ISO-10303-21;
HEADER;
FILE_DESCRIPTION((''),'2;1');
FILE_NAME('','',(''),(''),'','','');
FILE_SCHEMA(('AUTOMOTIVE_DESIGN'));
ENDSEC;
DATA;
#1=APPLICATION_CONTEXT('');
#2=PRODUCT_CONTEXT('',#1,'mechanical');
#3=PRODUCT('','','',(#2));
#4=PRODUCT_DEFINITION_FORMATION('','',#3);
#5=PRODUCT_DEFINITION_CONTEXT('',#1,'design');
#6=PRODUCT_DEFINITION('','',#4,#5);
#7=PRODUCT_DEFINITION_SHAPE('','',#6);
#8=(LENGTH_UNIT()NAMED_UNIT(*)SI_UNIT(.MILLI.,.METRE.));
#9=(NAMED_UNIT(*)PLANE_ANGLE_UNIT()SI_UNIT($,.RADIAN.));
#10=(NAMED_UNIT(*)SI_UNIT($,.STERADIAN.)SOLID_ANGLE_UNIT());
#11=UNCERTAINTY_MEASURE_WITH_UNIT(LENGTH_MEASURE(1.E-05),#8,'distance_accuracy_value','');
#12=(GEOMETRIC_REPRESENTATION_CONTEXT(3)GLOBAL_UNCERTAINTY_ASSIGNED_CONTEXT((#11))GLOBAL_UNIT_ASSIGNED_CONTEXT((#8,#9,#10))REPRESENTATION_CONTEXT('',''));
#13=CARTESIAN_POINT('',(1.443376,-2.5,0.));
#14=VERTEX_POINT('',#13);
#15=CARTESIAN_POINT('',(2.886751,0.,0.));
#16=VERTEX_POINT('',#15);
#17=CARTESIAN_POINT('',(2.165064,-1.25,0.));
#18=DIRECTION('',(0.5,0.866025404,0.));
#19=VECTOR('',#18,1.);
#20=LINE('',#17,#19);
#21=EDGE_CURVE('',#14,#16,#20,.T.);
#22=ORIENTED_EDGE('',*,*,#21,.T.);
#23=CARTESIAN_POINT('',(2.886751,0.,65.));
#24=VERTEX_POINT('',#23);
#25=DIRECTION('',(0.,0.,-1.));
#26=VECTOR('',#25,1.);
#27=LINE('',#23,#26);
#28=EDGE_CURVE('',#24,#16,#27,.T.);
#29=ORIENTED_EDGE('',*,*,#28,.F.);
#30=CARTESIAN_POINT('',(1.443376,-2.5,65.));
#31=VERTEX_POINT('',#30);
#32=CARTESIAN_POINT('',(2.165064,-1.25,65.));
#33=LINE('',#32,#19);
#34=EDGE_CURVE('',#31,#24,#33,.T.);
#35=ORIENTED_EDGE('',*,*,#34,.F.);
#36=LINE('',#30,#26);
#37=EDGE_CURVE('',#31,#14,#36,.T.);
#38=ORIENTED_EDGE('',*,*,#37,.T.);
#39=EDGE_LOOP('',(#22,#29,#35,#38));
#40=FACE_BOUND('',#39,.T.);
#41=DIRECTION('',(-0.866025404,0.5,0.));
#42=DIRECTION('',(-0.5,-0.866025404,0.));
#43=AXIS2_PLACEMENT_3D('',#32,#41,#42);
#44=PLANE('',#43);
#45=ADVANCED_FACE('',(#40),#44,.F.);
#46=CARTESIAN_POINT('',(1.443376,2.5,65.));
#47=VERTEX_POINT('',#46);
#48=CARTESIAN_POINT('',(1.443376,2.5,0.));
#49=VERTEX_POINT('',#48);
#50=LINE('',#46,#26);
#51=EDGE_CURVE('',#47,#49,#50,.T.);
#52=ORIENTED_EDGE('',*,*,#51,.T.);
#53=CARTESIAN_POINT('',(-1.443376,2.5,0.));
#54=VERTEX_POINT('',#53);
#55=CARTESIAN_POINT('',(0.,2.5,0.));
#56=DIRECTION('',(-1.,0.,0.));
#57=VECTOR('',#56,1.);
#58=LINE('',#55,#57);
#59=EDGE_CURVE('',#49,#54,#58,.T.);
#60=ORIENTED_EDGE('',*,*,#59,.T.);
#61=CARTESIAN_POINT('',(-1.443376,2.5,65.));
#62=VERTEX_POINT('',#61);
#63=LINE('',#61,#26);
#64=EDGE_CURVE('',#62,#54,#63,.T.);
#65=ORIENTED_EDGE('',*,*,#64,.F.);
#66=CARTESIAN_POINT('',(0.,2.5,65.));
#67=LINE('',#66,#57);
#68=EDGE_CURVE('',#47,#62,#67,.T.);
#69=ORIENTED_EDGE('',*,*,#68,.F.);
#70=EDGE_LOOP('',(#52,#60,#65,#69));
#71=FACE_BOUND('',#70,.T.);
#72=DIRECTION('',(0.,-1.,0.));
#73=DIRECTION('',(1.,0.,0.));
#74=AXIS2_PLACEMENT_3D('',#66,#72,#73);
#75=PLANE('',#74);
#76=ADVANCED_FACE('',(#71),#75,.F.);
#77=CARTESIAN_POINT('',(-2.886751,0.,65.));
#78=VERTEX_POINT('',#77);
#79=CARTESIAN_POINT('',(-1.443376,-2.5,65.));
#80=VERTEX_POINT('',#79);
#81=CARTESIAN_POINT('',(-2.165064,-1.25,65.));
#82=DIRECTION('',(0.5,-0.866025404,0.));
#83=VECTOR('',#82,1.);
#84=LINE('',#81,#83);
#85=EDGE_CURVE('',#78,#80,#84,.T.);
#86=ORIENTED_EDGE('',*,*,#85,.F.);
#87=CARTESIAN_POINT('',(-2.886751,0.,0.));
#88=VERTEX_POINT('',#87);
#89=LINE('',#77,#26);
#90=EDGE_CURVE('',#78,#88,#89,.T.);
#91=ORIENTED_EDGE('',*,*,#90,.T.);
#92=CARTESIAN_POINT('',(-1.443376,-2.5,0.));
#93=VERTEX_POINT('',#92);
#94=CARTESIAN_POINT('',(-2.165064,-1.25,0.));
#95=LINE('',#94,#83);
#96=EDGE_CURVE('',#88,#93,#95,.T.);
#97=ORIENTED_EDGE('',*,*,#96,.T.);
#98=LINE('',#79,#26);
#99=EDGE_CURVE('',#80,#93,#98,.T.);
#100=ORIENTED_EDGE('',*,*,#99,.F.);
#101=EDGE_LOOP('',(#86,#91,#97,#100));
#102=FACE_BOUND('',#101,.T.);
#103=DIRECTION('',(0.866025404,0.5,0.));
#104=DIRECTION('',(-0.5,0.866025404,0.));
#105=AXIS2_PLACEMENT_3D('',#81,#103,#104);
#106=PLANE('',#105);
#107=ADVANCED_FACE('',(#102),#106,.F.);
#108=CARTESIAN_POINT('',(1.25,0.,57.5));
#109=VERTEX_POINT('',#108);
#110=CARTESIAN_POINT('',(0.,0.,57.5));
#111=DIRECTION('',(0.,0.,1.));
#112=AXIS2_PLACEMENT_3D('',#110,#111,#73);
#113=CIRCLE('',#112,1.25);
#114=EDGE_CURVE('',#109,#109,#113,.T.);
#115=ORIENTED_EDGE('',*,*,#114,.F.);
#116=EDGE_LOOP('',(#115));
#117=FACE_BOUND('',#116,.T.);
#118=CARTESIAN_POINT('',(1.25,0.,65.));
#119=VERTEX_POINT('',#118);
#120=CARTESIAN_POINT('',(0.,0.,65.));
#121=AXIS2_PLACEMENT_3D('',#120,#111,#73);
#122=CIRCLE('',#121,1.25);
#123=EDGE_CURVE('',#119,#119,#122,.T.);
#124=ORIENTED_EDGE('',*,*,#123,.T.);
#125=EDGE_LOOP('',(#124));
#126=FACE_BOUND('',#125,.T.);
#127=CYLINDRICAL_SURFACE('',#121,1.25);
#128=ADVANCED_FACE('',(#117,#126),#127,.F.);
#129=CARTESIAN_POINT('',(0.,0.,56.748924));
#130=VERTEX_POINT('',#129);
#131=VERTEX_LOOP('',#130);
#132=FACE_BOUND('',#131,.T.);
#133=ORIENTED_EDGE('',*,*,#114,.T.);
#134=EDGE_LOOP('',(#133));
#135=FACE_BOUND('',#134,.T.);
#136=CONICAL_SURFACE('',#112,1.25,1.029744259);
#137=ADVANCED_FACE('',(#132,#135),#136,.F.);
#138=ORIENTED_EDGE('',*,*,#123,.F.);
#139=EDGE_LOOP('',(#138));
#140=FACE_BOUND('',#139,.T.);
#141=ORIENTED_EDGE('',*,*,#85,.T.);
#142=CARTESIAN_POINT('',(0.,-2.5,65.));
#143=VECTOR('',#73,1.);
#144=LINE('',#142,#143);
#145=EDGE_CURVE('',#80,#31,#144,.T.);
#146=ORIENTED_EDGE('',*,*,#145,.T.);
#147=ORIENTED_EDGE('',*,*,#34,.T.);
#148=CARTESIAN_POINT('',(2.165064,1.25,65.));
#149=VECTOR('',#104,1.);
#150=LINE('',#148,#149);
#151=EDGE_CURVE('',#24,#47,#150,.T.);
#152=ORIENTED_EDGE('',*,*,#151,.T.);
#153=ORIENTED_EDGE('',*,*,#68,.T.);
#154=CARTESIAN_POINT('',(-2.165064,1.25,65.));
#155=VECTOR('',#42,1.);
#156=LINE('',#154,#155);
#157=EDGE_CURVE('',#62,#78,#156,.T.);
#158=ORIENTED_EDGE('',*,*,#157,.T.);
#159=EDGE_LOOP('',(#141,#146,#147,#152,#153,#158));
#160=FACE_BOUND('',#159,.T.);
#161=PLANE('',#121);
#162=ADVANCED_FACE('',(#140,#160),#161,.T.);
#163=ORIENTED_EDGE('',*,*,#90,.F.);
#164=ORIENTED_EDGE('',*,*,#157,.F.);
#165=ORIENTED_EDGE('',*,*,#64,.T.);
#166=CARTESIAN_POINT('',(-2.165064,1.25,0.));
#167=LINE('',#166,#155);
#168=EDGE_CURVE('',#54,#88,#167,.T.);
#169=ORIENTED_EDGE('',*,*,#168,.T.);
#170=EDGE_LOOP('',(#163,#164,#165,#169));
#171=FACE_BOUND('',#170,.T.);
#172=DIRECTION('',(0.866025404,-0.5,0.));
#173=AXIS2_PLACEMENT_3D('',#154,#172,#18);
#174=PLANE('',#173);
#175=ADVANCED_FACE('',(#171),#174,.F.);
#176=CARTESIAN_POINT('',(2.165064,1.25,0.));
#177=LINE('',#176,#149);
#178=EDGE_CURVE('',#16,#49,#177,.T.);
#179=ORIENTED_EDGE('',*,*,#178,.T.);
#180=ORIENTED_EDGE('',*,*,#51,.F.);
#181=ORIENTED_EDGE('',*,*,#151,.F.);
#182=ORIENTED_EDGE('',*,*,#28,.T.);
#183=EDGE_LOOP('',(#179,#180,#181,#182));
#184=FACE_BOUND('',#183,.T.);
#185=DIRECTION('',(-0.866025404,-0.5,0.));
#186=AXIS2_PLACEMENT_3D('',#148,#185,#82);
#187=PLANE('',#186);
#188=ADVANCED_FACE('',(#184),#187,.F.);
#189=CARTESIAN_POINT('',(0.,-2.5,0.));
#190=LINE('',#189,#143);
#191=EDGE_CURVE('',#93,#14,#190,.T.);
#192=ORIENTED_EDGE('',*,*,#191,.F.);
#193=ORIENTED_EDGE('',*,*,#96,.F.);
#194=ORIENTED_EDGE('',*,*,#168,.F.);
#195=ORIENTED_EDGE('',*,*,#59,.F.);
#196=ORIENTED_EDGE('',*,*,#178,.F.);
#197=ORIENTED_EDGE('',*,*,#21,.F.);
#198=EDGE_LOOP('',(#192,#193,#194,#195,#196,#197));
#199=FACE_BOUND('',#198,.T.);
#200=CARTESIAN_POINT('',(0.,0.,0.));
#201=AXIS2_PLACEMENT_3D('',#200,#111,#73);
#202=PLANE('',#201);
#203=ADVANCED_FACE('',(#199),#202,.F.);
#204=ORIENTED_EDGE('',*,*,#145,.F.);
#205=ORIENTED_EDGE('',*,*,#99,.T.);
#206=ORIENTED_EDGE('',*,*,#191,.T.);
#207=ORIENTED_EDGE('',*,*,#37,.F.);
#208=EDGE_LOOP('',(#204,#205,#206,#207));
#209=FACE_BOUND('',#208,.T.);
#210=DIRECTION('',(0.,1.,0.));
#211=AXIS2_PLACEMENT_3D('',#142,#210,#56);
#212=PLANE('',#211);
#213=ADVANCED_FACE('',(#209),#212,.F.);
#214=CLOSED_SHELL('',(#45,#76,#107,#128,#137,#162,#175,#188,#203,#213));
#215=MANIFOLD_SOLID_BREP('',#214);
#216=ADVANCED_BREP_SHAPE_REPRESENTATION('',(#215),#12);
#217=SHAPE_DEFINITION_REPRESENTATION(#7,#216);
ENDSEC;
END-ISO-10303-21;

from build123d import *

# Parameters (mm, degrees)
SKETCH_1_R             = 1.5
EXTRUDE_1_DEPTH        = 65
HOLE_WIZARD_M3_1_D     = 2.5
HOLE_WIZARD_M3_1_DEPTH = 7.5
HOLE_WIZARD_M3_1_TIP   = 0.751075774


with BuildPart() as part:
    # 草图1 → 凸台-拉伸1 (new body)
    # profile 1 of 2: a face of its own
    with BuildSketch(Plane.XY):
        Polygon((-1.443375673, -2.5), (1.443375673, -2.5), (2.886751346, 0), (1.443375673, 2.5), (-1.443375673, 2.5), (-2.886751346, 0), align=None)
        Circle(SKETCH_1_R, mode=Mode.SUBTRACT)
    # profile 2 of 2: a face of its own
    with BuildSketch(Plane.XY):
        Circle(SKETCH_1_R)
    extrude(amount=EXTRUDE_1_DEPTH)

    # M3 螺纹孔1
    with Locations(Plane.XY.offset(65)):
        with Locations((0, 0)):
            Hole(HOLE_WIZARD_M3_1_D / 2, depth=HOLE_WIZARD_M3_1_DEPTH)
            with Locations((0, 0, -(HOLE_WIZARD_M3_1_DEPTH + HOLE_WIZARD_M3_1_TIP / 2))):  # 118° drill point
                Cone(0, HOLE_WIZARD_M3_1_D / 2, HOLE_WIZARD_M3_1_TIP, mode=Mode.SUBTRACT)


solid = part.part
